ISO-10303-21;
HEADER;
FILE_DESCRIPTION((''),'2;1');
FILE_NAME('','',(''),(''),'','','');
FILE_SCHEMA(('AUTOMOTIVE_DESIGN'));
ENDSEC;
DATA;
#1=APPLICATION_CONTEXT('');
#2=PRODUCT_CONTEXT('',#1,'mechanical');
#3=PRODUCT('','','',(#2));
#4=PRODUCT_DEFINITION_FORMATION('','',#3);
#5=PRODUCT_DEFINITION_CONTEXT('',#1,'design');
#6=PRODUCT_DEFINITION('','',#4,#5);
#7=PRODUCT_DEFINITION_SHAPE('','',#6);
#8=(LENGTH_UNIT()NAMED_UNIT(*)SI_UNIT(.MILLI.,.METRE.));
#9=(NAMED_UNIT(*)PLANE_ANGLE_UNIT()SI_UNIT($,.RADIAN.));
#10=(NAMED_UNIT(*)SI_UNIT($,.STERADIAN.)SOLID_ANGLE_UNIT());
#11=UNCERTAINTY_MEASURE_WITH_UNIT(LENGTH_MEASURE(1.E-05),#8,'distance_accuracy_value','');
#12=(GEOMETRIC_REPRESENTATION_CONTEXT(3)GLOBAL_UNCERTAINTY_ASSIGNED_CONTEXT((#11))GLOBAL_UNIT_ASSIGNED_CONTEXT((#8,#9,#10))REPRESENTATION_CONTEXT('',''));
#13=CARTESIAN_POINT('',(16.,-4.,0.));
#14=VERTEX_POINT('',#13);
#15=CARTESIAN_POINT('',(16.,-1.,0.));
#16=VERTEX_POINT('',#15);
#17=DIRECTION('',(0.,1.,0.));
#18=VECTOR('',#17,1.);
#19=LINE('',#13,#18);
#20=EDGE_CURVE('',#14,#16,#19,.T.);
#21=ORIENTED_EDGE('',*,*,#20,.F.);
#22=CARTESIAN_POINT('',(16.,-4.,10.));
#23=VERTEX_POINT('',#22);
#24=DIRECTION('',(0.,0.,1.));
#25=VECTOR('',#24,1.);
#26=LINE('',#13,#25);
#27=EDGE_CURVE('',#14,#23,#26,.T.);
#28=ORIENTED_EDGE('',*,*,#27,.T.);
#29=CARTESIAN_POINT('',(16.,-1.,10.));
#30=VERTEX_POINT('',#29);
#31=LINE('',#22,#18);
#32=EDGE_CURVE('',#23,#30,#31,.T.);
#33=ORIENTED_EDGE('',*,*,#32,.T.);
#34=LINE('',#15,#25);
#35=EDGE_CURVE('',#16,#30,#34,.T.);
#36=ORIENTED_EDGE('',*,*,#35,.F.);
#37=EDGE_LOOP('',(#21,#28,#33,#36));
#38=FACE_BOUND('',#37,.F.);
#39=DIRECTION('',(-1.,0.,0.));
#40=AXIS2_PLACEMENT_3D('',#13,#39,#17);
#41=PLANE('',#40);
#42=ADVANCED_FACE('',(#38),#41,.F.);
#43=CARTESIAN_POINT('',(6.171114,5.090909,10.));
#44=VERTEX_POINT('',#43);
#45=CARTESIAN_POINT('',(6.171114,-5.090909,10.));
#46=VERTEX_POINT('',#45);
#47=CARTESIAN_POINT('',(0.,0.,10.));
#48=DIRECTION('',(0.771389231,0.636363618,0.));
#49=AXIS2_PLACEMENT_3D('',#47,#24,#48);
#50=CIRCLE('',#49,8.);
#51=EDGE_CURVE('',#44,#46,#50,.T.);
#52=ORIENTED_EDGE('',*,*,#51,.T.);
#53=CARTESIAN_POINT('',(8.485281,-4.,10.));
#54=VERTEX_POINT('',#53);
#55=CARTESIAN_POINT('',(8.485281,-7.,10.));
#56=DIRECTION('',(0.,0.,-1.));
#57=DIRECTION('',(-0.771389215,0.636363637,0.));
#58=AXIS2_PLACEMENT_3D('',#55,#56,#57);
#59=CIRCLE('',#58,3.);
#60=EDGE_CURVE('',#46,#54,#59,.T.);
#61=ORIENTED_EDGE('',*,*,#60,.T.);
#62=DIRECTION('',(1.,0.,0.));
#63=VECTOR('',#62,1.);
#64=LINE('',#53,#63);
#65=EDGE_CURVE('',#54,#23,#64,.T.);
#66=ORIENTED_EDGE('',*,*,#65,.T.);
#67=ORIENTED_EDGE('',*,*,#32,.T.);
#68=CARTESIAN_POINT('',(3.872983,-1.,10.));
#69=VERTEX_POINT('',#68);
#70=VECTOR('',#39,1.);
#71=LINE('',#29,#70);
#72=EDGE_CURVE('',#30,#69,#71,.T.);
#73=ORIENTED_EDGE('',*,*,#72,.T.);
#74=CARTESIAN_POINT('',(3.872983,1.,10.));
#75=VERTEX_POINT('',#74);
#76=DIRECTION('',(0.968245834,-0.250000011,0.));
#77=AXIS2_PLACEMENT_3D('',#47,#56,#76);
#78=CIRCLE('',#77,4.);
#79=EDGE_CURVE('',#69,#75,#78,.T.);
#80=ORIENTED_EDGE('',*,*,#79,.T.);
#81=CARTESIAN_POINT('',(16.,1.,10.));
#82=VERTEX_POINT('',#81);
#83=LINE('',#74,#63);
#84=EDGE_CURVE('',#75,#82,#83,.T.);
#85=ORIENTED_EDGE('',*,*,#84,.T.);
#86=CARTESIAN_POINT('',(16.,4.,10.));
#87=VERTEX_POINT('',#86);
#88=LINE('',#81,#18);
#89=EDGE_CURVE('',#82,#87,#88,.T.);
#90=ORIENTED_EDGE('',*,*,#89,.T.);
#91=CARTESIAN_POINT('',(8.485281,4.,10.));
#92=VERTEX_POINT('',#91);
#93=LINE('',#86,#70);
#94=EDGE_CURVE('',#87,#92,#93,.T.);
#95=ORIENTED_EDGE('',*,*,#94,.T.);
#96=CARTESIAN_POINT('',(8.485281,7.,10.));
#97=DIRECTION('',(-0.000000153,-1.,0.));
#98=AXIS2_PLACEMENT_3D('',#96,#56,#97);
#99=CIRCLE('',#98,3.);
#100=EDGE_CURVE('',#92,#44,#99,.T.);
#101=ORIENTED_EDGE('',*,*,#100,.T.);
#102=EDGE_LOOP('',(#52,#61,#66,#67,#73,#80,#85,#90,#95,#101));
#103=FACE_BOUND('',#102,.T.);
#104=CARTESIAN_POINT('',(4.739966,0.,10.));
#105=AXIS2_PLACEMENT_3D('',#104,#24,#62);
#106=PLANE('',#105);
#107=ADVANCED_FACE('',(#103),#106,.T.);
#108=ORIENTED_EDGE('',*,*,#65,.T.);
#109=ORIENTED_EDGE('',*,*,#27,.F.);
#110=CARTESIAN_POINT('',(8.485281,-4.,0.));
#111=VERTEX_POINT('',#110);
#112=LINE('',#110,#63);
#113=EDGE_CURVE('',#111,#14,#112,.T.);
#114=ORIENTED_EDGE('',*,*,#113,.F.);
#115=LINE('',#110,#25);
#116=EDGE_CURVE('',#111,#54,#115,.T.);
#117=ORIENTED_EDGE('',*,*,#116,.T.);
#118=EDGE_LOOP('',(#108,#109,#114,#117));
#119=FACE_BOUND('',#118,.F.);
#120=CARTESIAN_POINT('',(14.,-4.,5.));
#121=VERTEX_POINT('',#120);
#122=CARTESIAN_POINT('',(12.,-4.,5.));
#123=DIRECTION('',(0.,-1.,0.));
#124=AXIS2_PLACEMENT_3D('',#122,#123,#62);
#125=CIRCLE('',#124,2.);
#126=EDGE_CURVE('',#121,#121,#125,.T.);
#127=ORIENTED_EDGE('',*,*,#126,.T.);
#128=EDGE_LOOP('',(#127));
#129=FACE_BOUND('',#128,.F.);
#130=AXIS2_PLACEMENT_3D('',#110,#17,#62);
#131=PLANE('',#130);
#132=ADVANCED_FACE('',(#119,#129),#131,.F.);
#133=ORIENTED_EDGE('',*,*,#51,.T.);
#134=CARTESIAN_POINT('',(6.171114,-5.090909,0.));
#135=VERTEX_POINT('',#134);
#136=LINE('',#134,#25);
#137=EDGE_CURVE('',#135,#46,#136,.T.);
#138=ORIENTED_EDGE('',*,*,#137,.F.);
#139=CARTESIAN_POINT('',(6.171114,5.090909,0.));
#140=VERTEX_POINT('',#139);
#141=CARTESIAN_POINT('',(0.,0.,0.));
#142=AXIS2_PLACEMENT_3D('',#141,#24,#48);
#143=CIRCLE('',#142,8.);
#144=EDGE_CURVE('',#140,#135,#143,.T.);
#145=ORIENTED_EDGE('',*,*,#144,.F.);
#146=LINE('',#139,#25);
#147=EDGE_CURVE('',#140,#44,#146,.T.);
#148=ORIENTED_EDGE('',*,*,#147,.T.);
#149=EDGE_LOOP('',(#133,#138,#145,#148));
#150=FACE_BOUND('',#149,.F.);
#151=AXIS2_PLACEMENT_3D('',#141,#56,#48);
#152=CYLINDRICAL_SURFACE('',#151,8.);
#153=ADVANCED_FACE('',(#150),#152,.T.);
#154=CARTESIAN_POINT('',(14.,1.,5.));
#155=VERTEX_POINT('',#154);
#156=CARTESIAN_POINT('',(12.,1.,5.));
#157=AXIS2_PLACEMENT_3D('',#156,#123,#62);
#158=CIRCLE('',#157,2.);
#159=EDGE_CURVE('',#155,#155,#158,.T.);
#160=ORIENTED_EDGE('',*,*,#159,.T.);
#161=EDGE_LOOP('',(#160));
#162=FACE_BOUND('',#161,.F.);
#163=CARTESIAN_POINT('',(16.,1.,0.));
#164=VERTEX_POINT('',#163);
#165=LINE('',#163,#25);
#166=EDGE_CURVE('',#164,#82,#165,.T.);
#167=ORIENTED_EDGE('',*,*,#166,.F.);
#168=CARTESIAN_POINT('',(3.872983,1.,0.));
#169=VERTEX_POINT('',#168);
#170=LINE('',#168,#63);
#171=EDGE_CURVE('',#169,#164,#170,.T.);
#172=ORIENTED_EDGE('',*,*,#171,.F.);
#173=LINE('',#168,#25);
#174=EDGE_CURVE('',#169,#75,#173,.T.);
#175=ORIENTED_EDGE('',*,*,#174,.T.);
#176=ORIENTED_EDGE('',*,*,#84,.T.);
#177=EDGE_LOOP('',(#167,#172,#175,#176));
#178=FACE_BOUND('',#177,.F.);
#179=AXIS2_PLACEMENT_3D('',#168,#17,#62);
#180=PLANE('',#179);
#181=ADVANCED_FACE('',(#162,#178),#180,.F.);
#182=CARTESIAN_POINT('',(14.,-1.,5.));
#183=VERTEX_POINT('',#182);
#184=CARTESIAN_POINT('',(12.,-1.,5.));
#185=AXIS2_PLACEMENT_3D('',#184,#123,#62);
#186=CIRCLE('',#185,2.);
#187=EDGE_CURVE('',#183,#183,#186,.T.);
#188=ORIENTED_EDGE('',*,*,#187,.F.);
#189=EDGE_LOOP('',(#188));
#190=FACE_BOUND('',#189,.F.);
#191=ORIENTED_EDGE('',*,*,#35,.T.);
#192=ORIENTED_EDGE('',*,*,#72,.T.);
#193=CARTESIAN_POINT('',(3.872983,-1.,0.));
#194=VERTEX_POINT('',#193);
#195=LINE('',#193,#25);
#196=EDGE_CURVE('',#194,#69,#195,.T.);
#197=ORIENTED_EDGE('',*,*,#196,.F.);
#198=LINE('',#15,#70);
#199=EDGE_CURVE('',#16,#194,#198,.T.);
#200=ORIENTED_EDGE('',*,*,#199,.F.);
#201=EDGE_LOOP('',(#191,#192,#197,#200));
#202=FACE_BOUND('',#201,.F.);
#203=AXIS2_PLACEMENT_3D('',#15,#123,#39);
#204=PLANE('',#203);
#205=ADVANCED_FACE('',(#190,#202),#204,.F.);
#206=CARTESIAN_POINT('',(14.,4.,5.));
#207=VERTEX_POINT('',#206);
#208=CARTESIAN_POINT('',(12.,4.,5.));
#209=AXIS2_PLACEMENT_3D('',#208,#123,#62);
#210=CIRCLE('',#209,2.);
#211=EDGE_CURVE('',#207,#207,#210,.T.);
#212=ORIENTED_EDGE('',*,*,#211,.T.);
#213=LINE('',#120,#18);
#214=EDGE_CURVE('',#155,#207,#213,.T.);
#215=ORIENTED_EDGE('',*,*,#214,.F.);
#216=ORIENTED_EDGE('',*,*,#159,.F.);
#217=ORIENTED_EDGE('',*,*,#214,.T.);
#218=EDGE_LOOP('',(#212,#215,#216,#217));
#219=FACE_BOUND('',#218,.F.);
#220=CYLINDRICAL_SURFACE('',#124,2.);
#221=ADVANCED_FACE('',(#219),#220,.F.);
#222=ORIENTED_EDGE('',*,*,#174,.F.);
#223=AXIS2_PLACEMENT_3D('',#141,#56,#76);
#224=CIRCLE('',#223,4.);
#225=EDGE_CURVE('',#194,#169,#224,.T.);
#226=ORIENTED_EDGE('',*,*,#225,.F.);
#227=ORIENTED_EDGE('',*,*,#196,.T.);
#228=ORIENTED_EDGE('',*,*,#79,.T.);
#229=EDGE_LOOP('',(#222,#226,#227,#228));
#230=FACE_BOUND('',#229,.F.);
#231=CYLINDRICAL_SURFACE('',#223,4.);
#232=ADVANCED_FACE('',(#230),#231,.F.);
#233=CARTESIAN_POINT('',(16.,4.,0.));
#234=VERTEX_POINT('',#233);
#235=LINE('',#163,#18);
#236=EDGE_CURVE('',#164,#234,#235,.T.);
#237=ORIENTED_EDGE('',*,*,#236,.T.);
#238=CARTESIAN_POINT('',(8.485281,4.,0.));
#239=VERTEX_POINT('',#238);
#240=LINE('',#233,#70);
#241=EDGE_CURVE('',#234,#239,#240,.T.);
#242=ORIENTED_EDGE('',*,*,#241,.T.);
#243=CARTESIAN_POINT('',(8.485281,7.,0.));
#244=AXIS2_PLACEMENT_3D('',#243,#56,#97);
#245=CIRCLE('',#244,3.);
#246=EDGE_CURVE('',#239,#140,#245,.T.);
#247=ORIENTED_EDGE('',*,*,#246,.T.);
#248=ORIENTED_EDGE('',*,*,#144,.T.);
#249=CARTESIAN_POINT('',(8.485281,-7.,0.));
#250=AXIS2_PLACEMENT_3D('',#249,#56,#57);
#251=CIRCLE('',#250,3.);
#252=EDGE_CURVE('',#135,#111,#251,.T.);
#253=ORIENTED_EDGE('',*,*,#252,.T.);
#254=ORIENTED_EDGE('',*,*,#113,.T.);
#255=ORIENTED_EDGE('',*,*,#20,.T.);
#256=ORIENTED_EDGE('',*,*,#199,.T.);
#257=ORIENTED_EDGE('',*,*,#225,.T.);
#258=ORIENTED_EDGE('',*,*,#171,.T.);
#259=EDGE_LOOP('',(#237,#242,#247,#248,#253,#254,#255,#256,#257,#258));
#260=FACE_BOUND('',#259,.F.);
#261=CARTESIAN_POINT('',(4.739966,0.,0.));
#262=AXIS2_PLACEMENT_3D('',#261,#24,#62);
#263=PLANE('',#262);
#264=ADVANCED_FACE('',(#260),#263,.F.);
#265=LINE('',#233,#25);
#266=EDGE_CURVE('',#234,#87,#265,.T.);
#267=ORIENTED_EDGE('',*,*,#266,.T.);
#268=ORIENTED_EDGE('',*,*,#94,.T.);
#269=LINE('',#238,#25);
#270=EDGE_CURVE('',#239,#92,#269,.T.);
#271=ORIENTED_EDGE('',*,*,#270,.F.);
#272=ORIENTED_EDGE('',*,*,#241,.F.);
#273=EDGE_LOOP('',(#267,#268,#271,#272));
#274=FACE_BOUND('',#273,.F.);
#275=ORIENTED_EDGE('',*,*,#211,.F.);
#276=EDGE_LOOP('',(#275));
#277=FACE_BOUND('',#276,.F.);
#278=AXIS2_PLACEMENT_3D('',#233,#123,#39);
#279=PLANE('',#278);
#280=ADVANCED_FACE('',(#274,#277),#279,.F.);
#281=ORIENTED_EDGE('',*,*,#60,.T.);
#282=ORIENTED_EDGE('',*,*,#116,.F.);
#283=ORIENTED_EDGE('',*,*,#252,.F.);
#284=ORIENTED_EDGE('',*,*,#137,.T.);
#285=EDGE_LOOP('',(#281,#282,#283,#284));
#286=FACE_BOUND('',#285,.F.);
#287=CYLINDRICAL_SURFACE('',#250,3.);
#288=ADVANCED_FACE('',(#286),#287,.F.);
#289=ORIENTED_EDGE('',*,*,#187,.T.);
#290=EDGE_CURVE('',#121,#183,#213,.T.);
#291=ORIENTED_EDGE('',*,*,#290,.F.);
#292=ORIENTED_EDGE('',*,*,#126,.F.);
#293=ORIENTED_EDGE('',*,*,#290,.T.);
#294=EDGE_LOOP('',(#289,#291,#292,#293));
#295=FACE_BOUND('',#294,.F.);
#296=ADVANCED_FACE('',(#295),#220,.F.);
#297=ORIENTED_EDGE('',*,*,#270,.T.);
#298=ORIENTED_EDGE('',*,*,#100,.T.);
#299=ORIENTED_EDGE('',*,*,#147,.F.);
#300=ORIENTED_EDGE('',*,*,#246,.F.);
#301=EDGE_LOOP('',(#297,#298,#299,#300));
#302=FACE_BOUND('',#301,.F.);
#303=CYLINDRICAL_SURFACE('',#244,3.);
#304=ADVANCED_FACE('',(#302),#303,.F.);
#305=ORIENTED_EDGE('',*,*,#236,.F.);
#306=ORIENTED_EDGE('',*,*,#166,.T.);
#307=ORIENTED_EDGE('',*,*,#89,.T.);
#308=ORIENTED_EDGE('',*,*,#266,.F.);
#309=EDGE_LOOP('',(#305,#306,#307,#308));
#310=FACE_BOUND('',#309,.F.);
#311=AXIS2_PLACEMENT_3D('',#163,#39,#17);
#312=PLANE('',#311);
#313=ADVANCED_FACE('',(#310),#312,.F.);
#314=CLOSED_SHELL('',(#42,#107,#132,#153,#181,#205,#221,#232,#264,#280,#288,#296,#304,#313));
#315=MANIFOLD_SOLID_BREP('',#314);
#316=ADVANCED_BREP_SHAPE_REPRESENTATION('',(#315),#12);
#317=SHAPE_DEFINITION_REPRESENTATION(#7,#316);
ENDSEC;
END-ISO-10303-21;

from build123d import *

# Parameters (mm, degrees)
F1_DEPTH = 10
F2_R     = 2
F3_DEPTH = 12.001


with BuildPart() as f1:
    # F0 (on Top) → F1 (new body)
    with BuildSketch(Plane.XY):
        with BuildLine():
            ThreePointArc((3.872983, -1), (-4, 0), (3.872983, 1))
            Line((3.872983, 1), (16, 1))
            Line((16, 1), (16, 4))
            Line((16, 4), (8.485281, 4))
            ThreePointArc((8.485281, 4), (7.206077, 4.286398), (6.171114, 5.090909))
            ThreePointArc((6.171114, 5.090909), (-8, 0), (6.171114, -5.090909))
            ThreePointArc((6.171114, -5.090909), (7.206077, -4.286398), (8.485281, -4))
            Line((8.485281, -4), (16, -4))
            Line((16, -4), (16, -1))
            Line((16, -1), (3.872983, -1))
        make_face()
    extrude(amount=F1_DEPTH)

    # F2 (on face) → F3 (cut, through all)
    with BuildSketch(Plane.XZ.offset(4)):
        with Locations((12, 5)):
            Circle(F2_R)
    extrude(amount=-F3_DEPTH, mode=Mode.SUBTRACT)


solid = f1.part
